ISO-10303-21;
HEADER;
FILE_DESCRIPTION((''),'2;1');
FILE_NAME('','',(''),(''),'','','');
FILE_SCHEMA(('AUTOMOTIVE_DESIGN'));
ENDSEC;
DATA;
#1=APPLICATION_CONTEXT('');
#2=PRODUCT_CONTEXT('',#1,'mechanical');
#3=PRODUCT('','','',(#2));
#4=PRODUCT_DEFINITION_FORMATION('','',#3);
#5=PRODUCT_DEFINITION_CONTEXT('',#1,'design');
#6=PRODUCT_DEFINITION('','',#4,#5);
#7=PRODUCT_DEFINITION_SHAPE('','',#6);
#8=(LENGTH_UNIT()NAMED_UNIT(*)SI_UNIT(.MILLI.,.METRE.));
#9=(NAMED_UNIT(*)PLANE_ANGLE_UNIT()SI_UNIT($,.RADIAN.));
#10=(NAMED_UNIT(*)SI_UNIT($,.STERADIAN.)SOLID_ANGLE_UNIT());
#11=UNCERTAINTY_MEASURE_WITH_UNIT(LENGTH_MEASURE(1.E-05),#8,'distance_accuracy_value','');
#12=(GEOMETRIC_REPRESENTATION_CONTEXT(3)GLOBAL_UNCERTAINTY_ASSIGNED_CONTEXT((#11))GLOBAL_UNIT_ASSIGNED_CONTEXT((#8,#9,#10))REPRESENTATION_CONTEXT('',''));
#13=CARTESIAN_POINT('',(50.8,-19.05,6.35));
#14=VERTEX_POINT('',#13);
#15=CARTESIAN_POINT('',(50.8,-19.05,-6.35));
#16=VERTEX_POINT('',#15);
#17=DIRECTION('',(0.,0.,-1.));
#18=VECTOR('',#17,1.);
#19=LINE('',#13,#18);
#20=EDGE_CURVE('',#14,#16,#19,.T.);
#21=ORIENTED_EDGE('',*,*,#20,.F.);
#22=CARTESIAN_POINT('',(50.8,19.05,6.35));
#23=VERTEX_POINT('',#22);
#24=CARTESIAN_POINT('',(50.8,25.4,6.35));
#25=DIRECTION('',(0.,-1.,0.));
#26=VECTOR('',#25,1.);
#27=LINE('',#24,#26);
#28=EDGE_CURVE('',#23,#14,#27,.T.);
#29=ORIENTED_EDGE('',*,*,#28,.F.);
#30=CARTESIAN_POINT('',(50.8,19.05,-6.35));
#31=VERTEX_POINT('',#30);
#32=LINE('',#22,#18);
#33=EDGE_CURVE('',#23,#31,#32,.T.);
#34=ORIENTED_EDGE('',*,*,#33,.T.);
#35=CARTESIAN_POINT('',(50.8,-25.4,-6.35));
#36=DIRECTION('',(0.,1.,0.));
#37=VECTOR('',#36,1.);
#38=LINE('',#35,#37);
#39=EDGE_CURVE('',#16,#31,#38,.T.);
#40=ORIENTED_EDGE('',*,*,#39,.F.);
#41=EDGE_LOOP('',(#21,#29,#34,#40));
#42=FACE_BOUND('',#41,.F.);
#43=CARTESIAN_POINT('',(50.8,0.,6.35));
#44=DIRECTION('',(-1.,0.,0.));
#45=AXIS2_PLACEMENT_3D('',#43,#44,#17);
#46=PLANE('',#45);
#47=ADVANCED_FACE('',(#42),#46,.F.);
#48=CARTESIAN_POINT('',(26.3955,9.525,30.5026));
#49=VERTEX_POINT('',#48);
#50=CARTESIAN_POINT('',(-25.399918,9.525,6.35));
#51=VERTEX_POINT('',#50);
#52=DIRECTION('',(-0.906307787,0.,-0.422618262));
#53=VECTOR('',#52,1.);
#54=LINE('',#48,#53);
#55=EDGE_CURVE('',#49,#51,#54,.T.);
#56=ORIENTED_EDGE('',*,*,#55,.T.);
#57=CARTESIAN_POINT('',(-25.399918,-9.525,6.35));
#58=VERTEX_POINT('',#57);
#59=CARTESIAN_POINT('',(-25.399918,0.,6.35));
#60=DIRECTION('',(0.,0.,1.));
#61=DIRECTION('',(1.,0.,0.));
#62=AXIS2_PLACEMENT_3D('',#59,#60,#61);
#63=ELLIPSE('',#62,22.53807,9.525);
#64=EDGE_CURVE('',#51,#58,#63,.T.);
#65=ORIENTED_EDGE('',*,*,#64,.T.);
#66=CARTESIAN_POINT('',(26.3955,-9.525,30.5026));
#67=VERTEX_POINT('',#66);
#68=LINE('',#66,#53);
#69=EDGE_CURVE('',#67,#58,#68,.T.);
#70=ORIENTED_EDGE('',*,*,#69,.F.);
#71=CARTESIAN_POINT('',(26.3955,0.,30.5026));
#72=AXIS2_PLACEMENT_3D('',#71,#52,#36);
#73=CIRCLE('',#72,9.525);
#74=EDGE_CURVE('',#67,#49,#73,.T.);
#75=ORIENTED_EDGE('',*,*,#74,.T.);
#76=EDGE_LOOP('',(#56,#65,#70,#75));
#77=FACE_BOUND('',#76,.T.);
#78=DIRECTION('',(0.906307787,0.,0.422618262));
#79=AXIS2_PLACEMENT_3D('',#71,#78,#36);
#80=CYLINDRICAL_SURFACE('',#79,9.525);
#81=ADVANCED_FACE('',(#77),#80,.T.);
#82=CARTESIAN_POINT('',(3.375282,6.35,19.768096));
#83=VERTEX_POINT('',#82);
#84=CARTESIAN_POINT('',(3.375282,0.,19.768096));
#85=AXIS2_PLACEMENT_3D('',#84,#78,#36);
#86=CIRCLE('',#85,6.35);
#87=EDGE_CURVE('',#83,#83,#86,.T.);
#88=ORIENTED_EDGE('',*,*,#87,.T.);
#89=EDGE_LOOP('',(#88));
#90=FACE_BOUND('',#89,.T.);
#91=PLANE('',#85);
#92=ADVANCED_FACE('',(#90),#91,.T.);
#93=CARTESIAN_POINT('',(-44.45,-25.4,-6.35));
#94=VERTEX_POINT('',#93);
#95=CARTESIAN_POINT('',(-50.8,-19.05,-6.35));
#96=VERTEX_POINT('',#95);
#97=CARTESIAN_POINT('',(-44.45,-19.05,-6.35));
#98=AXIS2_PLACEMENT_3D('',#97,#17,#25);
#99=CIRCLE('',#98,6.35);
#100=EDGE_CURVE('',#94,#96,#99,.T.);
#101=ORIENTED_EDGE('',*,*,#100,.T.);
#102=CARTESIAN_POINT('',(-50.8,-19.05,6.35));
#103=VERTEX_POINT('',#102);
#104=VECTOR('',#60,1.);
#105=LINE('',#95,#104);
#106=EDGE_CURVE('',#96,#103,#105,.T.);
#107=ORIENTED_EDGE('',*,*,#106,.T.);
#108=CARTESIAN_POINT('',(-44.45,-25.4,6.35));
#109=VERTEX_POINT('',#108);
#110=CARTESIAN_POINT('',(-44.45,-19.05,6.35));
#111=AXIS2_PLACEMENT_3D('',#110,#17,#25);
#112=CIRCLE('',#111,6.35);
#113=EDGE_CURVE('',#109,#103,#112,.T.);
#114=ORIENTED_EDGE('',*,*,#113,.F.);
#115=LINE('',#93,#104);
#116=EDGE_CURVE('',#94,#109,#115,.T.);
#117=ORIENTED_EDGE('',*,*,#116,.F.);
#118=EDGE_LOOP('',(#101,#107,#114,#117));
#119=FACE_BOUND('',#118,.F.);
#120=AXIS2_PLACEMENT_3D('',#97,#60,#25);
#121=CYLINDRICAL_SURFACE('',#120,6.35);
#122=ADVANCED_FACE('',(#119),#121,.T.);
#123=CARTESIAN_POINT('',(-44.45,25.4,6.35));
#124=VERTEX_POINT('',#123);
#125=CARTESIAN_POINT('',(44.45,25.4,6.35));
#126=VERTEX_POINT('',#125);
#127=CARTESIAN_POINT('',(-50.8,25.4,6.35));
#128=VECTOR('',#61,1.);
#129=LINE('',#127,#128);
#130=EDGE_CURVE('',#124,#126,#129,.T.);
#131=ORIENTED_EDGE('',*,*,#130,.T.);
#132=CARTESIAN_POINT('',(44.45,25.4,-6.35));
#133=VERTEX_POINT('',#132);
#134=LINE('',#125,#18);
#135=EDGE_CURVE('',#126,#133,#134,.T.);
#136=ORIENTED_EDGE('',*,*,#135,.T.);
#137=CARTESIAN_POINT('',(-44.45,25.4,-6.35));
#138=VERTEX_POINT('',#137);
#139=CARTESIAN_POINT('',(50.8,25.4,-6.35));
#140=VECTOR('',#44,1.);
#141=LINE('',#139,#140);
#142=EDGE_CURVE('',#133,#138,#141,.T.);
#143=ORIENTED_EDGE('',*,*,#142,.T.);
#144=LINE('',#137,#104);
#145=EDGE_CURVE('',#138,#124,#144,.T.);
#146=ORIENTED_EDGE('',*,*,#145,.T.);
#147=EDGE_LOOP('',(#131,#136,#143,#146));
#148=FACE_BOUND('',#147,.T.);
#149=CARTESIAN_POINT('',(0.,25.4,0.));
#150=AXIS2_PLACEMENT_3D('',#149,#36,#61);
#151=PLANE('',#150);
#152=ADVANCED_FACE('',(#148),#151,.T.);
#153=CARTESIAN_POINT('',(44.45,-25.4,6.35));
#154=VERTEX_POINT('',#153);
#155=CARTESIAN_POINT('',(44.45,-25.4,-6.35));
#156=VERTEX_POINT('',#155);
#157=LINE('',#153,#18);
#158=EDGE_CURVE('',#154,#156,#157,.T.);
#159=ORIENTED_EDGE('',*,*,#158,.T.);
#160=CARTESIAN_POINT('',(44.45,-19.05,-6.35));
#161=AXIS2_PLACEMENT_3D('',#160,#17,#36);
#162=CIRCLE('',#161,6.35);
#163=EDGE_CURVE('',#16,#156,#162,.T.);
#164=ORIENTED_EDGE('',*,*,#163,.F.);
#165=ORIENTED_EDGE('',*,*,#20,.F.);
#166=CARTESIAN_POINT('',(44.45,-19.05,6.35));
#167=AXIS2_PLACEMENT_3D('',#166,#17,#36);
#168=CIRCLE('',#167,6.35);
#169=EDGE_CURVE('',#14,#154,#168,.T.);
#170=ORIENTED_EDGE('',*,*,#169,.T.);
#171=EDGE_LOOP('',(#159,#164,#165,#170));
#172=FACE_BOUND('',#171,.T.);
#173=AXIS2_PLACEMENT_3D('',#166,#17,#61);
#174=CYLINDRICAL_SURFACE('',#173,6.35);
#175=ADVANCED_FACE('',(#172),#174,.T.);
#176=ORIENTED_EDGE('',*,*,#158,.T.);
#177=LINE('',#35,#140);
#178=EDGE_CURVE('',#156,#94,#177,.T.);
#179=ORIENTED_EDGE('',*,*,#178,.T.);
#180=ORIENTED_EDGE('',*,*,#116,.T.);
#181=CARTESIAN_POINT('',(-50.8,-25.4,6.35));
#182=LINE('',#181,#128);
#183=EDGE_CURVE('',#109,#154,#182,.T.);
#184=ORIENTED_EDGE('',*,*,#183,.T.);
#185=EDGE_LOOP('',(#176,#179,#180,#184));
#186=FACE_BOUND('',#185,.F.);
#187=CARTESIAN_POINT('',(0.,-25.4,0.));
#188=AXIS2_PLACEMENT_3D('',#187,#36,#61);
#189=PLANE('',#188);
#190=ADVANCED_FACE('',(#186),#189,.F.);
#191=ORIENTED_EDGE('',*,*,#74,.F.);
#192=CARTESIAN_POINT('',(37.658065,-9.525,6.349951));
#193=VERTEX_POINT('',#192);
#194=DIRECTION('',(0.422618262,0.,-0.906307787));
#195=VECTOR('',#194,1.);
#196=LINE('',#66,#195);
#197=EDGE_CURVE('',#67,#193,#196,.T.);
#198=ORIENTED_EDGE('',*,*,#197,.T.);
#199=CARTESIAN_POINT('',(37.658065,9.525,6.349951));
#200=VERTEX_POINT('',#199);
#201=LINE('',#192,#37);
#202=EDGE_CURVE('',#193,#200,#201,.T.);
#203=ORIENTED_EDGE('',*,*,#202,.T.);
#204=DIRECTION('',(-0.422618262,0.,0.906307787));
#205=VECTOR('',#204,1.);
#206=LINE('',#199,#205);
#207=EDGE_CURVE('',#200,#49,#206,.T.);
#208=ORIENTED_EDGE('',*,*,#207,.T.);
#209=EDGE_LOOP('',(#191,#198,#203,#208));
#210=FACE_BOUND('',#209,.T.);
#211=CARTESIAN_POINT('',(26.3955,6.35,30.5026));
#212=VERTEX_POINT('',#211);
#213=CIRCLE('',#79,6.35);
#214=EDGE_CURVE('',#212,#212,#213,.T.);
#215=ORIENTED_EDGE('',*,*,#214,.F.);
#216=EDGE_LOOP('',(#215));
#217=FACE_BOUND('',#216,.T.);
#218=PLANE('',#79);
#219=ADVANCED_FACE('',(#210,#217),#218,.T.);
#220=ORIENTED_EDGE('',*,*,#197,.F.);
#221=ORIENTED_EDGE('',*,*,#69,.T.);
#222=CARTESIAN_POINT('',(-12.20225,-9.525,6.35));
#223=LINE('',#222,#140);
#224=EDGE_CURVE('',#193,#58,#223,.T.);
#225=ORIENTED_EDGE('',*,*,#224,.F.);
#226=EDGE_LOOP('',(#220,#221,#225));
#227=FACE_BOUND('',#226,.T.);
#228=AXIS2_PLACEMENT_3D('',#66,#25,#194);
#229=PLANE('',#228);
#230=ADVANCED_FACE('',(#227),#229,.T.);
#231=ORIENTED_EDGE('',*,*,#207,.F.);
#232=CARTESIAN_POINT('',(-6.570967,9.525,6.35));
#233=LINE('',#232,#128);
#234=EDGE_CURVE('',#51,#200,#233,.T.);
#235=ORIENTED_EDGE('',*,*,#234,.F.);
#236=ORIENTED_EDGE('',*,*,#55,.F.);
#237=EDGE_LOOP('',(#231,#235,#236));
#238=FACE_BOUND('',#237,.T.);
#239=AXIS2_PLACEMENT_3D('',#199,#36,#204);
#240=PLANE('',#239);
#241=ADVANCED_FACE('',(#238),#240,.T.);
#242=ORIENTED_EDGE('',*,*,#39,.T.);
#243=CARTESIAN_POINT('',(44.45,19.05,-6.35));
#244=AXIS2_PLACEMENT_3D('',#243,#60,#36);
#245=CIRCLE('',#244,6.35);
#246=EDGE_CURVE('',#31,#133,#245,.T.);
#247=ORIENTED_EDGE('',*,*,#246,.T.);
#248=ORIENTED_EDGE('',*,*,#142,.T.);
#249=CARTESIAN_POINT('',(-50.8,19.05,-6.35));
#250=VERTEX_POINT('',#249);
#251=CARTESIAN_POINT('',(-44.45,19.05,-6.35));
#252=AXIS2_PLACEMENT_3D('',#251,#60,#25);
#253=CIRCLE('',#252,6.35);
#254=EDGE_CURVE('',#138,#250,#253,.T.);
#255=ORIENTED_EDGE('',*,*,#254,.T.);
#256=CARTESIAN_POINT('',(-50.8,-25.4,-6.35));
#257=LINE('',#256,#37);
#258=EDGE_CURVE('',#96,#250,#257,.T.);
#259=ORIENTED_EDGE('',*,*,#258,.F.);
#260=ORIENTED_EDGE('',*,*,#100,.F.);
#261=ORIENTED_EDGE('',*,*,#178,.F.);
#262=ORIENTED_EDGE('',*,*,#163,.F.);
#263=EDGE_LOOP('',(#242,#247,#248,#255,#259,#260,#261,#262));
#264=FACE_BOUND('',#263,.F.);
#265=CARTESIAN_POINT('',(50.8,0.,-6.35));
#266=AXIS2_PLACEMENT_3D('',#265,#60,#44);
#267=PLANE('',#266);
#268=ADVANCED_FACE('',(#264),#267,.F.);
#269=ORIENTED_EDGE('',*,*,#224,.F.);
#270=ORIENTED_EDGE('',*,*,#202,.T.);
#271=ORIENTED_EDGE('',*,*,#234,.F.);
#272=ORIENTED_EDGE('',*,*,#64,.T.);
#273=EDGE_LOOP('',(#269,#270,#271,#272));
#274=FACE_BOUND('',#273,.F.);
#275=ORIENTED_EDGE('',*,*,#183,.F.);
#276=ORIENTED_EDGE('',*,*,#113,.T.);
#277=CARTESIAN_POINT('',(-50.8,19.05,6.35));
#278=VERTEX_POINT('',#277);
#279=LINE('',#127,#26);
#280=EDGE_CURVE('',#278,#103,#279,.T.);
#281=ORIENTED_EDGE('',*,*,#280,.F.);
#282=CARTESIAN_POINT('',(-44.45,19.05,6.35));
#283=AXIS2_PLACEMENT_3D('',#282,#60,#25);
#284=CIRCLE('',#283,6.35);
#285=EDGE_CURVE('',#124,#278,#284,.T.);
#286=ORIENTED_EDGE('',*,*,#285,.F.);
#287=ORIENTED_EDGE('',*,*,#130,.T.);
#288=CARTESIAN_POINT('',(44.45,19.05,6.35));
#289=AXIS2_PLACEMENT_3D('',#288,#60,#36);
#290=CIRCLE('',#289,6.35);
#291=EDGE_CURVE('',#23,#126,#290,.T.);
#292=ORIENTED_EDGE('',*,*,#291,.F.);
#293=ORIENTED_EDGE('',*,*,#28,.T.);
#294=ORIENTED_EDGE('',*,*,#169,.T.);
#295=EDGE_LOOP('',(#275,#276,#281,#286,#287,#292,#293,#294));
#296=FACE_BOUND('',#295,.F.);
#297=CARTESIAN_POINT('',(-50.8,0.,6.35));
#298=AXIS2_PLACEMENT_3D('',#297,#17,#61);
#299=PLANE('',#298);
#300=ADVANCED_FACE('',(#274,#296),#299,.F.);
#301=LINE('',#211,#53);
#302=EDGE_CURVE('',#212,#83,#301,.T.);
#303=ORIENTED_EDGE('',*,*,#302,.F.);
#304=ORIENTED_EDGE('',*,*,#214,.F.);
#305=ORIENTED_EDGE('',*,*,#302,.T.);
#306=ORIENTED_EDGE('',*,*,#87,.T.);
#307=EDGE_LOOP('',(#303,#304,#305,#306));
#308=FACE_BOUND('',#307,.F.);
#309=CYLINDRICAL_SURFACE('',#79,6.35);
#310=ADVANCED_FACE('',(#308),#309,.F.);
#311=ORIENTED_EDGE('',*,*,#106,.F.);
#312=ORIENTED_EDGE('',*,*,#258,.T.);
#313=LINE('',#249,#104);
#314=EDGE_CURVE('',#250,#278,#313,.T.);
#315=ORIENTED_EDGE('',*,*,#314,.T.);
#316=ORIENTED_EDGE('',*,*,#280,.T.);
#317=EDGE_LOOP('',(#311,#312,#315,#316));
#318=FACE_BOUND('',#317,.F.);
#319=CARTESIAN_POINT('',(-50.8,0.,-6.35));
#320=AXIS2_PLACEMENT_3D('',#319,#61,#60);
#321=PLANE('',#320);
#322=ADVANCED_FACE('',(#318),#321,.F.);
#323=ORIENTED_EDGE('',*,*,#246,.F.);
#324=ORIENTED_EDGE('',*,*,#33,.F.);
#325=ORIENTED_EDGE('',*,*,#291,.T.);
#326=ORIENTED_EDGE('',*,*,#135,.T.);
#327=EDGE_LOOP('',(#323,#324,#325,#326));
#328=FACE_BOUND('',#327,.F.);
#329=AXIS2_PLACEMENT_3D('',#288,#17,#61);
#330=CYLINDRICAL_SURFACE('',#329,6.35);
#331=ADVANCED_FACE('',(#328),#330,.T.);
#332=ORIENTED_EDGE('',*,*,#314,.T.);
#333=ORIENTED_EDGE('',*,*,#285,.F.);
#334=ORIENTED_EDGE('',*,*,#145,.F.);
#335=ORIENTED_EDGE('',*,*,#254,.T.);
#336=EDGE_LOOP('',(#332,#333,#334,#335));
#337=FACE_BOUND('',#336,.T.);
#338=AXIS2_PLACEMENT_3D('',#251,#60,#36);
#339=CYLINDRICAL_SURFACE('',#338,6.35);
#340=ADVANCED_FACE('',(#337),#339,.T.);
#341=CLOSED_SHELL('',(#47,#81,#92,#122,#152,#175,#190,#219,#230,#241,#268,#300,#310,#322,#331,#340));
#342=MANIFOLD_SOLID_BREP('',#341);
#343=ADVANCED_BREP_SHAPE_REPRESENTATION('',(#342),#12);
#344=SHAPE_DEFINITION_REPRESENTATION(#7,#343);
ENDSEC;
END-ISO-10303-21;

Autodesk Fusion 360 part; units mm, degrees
sketch "Sketch1" plane through (0, 0, 0) normal (0, 1, 0) x (1, 0, 0)
  line L0 (50.8, 6.35) -> (-50.8, 6.35)
  line L1 (-50.8, 6.35) -> (-50.8, -6.35)
  line L2 (-50.8, -6.35) -> (50.8, -6.35)
  line L3 (50.8, -6.35) -> (50.8, 6.35)
  line L4 (50.8, 6.35) -> (-50.8, -6.35) construction
  line L5 (-50.8, 6.35) -> (50.8, -6.35) construction
  dimension "d1" = 101.6
  dimension "d2" = 12.7
extrude "Extrude1" add sketch "Sketch1" along normal mid plane 50.8
sketch "Sketch2" plane through (0, 0, 0) normal (0, 1, 0) x (1, 0, 0)
  line L0 (50.8, -6.35) -> (-50.8, -6.35)
  line L1 (-25.4, -6.35) -> (26.3955, -30.5026)
  dimension "d5" = 25.4
  dimension "d6" = 25
  dimension "d7" = 57.15
ref_plane "WorkPlane1" through (26.3955, 0, 30.5026) normal (0.9063, 0, 0.4226) x (0, 1, 0)
sketch "Sketch3" plane through (26.3955, 0, 30.5026) normal (0.9063, 0, 0.4226) x (0, 1, 0)
  circle A0 centre (0, 0) radius 6.35
  circle A1 centre (0, 0) radius 9.525
  line L0 (-9.525, 0) -> (-9.525, -26.6495)
  line L1 (-9.525, -26.6495) -> (9.525, -26.6495)
  line L2 (9.525, -26.6495) -> (9.525, 0)
  line L3 (25.4, -26.6495) -> (-25.4, -26.6495)
  dimension "d9" = 12.7
  dimension "d10" = 19.05
extrude "Extrude2" add sketch "Sketch3" along normal up to surface contours A0 | A1 | A1 L0 L1 L2 L3 end surface through (-50.8, 0, 6.35) normal (0, 0, 1) offset 0
extrude "Extrude3" cut sketch "Sketch3" against normal blind 25.4 contours A0
fillet "Fillet1" radius 6.35 4 edges at (-50.8, -25.4, 0) (-50.8, 25.4, 0) (50.8, 25.4, 0) (50.8, -25.4, 0)
